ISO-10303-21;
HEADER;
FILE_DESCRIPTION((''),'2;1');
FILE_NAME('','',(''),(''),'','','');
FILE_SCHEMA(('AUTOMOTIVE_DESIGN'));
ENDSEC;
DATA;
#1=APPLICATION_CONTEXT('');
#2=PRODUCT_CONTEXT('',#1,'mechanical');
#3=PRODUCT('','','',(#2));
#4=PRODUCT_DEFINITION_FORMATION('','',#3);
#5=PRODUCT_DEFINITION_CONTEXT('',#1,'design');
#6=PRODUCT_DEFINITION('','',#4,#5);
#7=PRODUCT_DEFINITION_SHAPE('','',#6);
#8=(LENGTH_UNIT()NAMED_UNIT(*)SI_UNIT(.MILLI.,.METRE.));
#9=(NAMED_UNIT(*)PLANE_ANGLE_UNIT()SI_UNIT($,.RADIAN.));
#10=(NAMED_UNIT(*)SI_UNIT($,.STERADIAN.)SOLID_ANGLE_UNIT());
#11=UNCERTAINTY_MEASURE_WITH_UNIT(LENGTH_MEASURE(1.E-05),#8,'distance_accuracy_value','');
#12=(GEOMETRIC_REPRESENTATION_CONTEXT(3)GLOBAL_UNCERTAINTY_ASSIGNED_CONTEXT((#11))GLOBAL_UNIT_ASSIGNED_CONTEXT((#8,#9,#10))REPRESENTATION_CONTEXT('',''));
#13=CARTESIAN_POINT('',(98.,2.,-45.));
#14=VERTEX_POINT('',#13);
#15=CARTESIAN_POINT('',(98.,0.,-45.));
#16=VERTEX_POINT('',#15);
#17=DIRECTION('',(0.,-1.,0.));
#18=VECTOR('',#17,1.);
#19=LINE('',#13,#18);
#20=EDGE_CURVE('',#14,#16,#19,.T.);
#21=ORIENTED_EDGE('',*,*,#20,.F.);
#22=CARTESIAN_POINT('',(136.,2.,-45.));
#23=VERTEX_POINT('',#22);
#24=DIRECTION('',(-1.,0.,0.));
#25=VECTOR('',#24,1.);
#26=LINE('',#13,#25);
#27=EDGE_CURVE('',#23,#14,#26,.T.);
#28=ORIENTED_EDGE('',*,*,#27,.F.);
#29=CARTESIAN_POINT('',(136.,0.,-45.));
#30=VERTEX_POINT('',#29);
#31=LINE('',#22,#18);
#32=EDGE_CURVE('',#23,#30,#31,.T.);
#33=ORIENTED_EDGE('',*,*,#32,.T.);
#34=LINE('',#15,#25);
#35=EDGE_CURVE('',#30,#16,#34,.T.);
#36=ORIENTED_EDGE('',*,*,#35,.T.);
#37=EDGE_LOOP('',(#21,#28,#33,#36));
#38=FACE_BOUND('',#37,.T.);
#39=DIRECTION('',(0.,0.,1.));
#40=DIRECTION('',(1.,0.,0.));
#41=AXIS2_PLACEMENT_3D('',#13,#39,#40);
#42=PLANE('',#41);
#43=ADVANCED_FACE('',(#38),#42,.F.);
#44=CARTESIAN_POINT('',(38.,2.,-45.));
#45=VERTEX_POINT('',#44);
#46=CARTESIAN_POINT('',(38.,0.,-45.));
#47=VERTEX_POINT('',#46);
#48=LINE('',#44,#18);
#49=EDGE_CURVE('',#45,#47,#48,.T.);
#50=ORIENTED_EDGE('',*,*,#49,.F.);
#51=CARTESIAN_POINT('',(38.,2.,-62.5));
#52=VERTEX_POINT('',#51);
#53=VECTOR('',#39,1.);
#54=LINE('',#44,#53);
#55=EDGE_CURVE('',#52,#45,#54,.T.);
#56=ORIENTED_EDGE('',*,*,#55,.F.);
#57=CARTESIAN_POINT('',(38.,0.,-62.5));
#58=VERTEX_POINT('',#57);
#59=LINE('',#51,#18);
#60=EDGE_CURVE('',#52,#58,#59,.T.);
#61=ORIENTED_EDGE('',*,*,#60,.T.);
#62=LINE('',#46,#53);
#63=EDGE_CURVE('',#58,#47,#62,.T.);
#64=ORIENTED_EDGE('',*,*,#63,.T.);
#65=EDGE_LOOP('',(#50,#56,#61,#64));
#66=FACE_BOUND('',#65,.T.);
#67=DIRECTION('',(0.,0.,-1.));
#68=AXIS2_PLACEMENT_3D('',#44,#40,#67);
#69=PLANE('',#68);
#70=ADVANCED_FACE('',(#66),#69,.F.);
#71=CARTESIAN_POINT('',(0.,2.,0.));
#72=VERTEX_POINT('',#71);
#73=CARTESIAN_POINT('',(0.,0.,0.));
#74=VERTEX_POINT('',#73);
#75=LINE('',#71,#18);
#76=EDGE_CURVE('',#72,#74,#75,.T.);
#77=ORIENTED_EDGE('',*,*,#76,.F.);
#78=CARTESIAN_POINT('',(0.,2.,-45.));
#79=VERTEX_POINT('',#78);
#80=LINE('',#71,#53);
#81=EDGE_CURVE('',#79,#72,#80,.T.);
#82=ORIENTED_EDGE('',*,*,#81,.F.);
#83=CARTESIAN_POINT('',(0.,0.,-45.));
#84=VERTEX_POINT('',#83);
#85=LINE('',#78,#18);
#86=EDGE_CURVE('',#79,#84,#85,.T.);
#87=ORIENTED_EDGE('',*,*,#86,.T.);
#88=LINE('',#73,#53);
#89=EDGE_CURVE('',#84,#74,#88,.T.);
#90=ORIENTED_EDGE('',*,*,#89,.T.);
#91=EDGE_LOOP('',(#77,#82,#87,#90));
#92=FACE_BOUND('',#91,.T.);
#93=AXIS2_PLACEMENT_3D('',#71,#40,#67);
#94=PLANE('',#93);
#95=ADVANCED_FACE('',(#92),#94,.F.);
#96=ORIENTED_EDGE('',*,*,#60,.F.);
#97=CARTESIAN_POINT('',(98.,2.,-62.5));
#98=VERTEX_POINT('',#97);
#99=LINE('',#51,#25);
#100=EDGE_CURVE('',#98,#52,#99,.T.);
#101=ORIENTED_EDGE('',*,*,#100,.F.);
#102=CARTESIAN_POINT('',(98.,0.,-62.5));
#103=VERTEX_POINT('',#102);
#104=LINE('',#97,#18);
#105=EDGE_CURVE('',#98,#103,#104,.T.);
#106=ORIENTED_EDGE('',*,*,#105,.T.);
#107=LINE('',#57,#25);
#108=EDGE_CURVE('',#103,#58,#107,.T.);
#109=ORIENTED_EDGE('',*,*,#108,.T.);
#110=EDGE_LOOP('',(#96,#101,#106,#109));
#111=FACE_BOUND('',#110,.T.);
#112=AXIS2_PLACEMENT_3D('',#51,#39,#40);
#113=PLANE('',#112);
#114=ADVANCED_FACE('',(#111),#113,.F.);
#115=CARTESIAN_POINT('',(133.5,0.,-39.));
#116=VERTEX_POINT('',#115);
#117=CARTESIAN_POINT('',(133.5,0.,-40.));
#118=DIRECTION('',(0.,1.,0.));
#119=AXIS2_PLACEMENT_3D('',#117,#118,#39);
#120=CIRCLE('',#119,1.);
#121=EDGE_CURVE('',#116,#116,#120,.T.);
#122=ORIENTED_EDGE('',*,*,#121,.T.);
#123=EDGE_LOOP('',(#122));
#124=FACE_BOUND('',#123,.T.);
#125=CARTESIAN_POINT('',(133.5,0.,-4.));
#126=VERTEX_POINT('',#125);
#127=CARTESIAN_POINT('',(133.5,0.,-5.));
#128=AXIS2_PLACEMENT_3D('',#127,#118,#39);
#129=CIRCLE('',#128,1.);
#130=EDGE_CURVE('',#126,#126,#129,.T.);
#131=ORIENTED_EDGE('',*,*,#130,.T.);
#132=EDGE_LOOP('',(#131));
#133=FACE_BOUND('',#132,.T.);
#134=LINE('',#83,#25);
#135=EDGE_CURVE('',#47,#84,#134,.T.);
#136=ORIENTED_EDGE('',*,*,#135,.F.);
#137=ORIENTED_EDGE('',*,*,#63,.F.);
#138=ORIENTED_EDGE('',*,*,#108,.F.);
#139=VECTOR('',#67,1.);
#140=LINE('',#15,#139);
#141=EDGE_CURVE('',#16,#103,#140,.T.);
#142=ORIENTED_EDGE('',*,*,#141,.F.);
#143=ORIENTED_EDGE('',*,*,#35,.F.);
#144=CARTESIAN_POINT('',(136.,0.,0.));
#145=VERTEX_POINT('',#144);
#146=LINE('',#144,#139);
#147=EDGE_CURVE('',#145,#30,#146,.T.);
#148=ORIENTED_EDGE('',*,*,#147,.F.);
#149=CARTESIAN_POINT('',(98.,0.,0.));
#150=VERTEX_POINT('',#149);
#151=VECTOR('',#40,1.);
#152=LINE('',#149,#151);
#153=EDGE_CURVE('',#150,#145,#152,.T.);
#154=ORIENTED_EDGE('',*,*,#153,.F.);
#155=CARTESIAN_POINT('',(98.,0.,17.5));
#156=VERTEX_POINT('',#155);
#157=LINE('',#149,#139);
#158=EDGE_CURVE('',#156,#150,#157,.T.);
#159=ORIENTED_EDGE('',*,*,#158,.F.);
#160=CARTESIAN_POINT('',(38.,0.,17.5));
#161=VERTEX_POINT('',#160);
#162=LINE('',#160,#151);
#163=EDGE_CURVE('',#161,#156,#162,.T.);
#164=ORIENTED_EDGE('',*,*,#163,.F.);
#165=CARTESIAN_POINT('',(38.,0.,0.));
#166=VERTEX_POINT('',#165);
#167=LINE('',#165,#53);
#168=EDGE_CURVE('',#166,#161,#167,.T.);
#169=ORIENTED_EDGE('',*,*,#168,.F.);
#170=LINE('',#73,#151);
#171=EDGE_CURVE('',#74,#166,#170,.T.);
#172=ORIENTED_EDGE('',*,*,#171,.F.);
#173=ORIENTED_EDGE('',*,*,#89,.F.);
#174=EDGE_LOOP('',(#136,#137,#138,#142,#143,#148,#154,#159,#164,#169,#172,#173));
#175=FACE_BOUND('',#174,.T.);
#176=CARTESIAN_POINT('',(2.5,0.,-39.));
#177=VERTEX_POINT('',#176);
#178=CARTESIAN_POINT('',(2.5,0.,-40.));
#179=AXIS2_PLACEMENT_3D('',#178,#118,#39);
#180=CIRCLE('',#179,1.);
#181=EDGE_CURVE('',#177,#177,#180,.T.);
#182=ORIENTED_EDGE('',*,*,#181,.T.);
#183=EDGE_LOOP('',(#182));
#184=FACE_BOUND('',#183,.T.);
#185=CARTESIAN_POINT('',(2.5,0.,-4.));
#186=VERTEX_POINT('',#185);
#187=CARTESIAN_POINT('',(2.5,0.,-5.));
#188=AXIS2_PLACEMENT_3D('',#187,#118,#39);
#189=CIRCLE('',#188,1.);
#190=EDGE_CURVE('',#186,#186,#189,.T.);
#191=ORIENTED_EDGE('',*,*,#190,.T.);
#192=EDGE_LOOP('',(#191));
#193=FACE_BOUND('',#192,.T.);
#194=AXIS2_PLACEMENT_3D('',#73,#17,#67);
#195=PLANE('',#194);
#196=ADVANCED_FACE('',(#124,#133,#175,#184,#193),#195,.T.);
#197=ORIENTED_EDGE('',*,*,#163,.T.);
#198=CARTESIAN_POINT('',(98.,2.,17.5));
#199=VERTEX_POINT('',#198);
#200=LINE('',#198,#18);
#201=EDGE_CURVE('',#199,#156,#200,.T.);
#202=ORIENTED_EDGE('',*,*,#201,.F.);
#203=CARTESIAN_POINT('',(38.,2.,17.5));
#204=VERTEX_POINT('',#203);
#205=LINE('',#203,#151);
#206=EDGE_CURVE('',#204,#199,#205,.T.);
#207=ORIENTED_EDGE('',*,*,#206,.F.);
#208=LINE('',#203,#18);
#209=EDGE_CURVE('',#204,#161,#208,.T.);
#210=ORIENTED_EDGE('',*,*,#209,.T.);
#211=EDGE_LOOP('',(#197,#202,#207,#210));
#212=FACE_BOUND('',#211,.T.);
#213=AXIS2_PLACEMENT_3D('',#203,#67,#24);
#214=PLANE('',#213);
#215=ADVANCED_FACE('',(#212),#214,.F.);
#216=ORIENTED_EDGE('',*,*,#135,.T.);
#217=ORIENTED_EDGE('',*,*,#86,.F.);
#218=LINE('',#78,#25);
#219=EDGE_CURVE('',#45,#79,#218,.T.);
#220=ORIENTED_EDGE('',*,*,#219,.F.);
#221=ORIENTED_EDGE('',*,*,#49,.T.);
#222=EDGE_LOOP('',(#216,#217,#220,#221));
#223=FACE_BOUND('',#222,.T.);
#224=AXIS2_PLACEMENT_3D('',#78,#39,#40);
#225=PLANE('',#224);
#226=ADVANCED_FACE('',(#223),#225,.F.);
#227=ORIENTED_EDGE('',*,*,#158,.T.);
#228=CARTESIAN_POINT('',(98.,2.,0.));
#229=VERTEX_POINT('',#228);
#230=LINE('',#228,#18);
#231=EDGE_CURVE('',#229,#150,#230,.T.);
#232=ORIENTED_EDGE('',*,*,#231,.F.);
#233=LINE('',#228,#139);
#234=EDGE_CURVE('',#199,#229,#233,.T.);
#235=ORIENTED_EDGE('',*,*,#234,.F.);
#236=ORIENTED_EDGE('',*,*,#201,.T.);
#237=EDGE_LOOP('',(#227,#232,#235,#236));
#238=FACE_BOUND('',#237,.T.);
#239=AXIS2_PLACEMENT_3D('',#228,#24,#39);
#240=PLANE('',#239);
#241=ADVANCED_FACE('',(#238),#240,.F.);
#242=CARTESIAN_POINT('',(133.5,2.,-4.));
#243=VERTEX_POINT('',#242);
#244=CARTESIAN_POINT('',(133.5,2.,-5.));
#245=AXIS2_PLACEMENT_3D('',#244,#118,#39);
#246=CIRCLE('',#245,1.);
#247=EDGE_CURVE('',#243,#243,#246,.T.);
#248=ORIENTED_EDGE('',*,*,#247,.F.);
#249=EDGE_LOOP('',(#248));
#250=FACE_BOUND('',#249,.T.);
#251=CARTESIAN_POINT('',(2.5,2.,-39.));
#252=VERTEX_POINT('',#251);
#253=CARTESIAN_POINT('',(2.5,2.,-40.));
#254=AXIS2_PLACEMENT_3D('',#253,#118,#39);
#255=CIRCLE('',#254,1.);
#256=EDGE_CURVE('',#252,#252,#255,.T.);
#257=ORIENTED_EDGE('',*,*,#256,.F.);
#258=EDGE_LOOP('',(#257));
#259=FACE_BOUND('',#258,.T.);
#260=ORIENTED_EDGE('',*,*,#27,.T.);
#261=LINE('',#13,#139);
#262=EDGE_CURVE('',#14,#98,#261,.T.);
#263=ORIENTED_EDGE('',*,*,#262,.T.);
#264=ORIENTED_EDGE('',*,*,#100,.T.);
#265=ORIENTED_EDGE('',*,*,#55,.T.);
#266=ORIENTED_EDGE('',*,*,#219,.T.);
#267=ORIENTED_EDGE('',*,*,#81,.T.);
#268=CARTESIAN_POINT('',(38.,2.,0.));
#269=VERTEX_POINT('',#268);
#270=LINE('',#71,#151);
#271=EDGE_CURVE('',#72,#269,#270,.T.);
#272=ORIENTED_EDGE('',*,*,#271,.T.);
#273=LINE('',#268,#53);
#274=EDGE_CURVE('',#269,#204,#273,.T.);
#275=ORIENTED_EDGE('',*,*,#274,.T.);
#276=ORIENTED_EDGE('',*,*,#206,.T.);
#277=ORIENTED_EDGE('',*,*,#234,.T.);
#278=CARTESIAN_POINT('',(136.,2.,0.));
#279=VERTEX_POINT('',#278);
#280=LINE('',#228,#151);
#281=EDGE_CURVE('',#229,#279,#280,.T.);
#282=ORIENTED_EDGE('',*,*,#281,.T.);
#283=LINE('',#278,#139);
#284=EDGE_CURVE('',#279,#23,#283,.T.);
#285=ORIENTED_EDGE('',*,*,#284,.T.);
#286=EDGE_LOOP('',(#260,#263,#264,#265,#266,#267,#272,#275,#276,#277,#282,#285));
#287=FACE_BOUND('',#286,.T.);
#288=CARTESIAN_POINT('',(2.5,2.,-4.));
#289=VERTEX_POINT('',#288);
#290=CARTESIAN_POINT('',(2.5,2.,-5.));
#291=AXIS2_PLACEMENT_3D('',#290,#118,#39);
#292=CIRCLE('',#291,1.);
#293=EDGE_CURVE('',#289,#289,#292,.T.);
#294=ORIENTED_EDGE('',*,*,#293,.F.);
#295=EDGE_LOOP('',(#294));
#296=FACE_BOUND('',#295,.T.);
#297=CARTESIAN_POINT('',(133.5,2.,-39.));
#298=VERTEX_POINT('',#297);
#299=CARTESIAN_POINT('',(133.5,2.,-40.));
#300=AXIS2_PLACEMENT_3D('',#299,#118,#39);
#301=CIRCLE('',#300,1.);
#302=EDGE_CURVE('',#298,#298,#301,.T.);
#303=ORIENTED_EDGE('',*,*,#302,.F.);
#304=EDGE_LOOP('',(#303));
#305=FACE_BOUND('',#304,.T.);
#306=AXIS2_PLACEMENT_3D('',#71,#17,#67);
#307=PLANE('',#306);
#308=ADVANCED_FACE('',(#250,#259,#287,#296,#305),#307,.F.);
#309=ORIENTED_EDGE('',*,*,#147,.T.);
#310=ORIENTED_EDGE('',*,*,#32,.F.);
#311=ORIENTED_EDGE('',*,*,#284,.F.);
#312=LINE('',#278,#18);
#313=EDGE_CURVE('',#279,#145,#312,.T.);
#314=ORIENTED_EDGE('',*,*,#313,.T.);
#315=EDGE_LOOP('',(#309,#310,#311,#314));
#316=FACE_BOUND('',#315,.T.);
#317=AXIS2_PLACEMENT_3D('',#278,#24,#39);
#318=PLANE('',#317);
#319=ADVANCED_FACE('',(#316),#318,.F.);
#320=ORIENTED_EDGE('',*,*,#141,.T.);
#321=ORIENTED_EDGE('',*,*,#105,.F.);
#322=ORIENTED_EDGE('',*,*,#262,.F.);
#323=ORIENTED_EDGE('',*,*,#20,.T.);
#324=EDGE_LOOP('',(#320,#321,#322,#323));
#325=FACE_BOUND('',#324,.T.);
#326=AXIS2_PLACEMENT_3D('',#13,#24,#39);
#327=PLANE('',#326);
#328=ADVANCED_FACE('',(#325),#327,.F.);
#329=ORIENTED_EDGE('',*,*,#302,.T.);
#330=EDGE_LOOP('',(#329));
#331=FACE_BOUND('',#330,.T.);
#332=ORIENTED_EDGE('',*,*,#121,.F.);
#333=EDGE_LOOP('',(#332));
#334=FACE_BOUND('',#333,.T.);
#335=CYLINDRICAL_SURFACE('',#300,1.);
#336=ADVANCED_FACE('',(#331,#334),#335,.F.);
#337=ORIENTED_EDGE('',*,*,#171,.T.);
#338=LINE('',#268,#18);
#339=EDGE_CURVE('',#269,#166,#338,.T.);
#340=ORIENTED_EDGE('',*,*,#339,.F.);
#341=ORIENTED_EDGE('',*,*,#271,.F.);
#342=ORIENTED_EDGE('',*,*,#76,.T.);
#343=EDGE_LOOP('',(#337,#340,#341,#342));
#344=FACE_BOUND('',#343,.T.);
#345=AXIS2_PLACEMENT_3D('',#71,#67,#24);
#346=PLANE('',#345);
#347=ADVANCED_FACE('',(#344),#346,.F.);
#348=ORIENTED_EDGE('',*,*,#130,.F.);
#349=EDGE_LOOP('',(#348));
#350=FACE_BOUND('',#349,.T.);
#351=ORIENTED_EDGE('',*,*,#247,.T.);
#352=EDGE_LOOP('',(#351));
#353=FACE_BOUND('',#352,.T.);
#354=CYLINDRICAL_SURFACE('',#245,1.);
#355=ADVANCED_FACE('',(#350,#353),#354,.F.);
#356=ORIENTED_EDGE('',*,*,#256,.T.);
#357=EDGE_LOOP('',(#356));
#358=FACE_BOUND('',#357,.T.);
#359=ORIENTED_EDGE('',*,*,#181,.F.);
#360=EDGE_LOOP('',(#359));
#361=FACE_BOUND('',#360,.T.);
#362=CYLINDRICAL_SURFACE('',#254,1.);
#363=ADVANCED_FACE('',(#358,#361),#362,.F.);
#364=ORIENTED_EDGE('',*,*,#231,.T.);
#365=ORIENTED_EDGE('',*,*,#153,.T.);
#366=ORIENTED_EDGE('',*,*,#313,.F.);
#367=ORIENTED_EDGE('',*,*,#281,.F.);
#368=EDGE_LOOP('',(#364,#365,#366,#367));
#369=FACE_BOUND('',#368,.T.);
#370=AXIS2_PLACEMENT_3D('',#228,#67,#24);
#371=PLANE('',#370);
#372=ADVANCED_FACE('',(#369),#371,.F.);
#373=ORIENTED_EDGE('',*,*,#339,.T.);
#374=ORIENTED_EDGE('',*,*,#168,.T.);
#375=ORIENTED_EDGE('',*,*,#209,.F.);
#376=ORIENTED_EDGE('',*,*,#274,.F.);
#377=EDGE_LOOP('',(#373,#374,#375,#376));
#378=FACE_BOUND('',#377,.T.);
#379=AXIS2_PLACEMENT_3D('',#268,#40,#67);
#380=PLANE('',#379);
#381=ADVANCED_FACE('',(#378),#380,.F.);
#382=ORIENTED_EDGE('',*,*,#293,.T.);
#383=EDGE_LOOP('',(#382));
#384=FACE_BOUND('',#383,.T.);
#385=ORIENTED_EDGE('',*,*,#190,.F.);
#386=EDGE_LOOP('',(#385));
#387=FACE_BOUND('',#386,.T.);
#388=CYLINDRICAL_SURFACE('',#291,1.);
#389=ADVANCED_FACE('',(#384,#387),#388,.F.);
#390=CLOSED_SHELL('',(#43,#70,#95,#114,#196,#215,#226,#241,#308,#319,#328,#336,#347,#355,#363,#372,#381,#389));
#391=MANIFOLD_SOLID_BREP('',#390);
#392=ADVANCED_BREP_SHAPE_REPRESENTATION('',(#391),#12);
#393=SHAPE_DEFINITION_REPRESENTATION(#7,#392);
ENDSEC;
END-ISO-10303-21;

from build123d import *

# Parameters (mm, degrees)
BOSS_EXTRUDE1_DEPTH      = 2
M2_CLEARANCE_HOLE1_D     = 2
M2_CLEARANCE_HOLE1_DEPTH = 2
M2_CLEARANCE_HOLE1_TIP   = 0.600860619


with BuildPart() as part:
    # Sketch1 → Boss-Extrude1 (new body)
    with BuildSketch(Plane(origin=(0, 0, 0), x_dir=(1, 0, 0), z_dir=(0, 1, 0))):
        Polygon((98, 45), (136, 45), (136, 0), (98, 0), (98, -17.5), (38, -17.5), (38, 0), (0, 0), (0, 45), (38, 45), (38, 62.5), (98, 62.5), align=None)
    extrude(amount=BOSS_EXTRUDE1_DEPTH)

    # M2 Clearance Hole1
    with Locations(Plane(origin=(0, 2, 0), x_dir=(1, 0, 0), z_dir=(0, 1, 0))):
        with Locations((2.5, 5), (2.5, 40), (133.5, 40), (133.5, 5)):
            Hole(M2_CLEARANCE_HOLE1_D / 2, depth=M2_CLEARANCE_HOLE1_DEPTH)
            with Locations((0, 0, -(M2_CLEARANCE_HOLE1_DEPTH + M2_CLEARANCE_HOLE1_TIP / 2))):  # 118° drill point
                Cone(0, M2_CLEARANCE_HOLE1_D / 2, M2_CLEARANCE_HOLE1_TIP, mode=Mode.SUBTRACT)


solid = part.part
